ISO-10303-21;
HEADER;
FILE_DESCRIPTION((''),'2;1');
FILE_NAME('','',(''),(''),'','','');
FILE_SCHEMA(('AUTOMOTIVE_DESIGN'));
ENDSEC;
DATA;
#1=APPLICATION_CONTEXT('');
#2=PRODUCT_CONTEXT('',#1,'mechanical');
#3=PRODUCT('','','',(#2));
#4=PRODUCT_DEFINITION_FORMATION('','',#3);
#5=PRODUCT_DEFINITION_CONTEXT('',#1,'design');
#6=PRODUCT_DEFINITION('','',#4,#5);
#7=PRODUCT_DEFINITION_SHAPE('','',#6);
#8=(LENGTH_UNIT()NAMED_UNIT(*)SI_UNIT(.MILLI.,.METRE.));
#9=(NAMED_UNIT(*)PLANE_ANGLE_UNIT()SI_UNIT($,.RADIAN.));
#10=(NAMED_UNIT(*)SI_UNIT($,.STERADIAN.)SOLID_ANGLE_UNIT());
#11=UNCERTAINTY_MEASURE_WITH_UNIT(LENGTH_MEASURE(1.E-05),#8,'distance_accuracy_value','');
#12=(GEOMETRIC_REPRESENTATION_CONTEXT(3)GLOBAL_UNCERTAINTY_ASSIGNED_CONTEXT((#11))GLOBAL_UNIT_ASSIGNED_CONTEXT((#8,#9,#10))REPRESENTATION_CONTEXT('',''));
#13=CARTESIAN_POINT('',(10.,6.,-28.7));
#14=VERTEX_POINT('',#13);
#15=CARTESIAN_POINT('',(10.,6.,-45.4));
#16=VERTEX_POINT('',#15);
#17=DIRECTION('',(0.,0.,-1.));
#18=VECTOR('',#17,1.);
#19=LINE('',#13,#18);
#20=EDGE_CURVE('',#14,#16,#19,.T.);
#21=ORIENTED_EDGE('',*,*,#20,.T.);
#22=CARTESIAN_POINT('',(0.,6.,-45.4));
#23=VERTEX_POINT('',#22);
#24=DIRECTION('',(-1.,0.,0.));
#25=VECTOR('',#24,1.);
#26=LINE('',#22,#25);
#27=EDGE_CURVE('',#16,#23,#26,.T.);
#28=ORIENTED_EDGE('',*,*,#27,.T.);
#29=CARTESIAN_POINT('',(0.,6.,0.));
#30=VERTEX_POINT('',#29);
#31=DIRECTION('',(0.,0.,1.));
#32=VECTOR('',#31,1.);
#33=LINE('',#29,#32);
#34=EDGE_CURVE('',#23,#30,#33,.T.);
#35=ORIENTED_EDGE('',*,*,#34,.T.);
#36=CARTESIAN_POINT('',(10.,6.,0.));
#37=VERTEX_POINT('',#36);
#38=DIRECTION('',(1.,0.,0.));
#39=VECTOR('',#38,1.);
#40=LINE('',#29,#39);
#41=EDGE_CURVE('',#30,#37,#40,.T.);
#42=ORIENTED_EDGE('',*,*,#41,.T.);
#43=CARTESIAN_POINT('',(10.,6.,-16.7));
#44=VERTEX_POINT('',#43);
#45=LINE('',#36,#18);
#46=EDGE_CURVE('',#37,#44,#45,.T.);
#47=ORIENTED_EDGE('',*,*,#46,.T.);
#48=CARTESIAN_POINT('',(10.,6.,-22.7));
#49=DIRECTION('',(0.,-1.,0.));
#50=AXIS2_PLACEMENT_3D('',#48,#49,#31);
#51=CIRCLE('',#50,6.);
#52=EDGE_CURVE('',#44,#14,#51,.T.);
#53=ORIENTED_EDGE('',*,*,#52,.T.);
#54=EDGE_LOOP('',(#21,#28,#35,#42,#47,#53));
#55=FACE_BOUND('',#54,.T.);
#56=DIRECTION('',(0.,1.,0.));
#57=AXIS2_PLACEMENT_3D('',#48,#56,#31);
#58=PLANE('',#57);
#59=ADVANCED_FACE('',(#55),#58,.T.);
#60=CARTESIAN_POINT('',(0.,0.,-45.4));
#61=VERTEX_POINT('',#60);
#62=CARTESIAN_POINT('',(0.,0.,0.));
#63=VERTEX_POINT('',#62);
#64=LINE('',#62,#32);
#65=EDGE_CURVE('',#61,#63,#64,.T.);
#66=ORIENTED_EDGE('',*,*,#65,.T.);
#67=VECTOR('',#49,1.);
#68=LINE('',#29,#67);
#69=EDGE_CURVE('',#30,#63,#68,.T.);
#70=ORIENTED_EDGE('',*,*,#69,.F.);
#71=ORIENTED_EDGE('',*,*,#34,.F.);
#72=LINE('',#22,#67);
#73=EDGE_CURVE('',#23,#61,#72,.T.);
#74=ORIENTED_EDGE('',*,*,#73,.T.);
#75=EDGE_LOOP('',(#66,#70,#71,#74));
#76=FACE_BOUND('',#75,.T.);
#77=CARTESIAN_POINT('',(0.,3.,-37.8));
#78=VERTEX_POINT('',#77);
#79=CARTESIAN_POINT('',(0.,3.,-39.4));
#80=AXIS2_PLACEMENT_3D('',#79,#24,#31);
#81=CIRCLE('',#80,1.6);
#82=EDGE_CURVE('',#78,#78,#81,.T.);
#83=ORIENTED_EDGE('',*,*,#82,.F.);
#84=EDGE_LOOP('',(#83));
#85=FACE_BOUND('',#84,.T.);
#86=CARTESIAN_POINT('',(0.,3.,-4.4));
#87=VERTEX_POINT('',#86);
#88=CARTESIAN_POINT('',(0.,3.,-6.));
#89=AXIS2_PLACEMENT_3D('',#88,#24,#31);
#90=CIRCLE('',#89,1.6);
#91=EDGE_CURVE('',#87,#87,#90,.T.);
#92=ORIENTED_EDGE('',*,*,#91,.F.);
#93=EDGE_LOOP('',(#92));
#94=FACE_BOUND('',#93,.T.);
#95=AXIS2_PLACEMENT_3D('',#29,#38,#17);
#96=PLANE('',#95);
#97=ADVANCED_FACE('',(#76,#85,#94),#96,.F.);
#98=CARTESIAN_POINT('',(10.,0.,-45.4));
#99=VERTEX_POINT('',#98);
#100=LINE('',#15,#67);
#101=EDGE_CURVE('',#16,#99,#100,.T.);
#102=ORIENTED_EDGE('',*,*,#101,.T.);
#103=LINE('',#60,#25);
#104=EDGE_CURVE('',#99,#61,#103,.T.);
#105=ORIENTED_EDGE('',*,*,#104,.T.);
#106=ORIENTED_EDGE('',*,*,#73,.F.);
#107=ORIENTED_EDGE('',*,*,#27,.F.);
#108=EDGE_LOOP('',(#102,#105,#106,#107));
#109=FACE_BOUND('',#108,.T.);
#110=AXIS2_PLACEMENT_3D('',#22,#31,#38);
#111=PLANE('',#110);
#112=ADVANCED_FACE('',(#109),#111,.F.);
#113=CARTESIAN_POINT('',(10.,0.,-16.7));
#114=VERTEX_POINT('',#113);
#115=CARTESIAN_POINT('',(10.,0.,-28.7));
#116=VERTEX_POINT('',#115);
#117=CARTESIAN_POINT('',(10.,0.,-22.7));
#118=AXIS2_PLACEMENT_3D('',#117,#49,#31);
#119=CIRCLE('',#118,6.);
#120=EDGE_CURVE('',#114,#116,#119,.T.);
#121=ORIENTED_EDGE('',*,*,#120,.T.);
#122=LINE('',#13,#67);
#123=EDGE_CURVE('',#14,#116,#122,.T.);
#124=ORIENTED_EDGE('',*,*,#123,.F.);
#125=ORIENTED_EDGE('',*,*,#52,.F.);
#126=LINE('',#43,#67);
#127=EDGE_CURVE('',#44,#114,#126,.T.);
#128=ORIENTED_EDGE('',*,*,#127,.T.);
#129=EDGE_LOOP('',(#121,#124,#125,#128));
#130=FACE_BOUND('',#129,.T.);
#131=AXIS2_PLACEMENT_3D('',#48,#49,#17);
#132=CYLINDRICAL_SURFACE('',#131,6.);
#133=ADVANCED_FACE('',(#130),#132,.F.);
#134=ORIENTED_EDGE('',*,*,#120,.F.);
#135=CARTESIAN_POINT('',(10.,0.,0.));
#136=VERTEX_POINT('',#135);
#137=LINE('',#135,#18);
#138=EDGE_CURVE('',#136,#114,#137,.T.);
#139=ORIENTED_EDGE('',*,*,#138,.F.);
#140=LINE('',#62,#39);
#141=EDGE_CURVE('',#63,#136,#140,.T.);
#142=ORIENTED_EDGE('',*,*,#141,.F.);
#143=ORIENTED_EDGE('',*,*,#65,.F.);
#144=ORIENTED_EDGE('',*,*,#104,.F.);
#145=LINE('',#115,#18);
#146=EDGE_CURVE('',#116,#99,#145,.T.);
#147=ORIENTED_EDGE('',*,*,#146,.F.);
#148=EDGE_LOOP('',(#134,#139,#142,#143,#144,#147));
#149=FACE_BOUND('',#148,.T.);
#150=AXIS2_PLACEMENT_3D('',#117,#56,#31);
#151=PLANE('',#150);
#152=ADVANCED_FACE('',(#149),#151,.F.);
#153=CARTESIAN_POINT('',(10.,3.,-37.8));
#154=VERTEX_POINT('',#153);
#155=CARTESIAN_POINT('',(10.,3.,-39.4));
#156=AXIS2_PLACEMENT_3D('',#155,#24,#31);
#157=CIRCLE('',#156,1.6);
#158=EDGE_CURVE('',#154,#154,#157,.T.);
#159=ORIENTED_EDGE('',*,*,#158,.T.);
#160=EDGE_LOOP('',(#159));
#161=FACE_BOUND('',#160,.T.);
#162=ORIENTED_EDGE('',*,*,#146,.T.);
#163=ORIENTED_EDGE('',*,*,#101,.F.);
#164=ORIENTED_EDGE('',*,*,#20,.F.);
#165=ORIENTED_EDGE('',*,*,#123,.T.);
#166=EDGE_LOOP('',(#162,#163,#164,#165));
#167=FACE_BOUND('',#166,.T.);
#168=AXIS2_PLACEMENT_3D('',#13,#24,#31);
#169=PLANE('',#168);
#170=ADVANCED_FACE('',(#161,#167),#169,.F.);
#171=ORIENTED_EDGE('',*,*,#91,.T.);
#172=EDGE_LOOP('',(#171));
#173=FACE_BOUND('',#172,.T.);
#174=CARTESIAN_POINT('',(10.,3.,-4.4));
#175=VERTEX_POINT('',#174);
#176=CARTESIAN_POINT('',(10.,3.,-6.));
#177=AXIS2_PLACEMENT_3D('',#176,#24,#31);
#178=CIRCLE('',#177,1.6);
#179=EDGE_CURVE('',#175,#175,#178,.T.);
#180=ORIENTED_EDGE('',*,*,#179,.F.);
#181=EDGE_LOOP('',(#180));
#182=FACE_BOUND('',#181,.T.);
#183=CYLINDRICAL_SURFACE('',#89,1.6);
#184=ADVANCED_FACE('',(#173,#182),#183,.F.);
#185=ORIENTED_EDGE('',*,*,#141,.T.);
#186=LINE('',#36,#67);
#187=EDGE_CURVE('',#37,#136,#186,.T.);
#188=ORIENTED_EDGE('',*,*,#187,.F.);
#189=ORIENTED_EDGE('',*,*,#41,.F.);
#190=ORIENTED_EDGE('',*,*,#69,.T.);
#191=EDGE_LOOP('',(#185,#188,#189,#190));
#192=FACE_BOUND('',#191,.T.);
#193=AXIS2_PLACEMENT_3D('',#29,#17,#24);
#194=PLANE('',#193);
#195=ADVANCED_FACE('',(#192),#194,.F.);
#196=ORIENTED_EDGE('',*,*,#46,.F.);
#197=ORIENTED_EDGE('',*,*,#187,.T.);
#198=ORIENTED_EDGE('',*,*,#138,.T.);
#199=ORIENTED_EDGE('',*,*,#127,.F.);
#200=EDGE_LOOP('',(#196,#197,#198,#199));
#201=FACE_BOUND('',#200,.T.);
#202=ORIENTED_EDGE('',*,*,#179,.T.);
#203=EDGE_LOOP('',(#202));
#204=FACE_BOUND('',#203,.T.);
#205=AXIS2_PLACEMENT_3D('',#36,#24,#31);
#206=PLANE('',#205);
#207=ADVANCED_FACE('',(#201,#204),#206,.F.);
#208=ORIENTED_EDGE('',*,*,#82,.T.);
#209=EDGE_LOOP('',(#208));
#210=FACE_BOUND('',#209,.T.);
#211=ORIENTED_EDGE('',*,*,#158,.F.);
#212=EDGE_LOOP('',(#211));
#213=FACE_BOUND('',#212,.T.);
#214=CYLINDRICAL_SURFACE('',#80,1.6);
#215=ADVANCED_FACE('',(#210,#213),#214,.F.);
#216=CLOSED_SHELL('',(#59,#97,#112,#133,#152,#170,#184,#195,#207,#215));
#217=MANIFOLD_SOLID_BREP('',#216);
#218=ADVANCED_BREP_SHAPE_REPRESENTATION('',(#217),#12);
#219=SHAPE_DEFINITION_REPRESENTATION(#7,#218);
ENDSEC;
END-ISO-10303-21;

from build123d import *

# Parameters (mm, degrees)
BOSS_EXTRUDE1_DEPTH        = 6
F_3_2_3_2_DIAMETER_HOLE1_D = 3.2


with BuildPart() as part:
    # Sketch1 → Boss-Extrude1 (new body)
    with BuildSketch(Plane(origin=(0, 0, 0), x_dir=(1, 0, 0), z_dir=(0, 1, 0))):
        with BuildLine():
            Line((10, 28.7), (10, 45.4))
            Line((10, 45.4), (0, 45.4))
            Line((0, 45.4), (0, 0))
            Line((0, 0), (10, 0))
            Line((10, 0), (10, 16.7))
            ThreePointArc((10, 16.7), (4, 22.7), (10, 28.7))
        make_face()
    extrude(amount=BOSS_EXTRUDE1_DEPTH)

    # Ø3.2 (3.2) Diameter Hole1 (through all)
    with Locations(Plane.ZY):
        with Locations((-6, 3), (-39.4, 3)):
            Hole(F_3_2_3_2_DIAMETER_HOLE1_D / 2)


solid = part.part
